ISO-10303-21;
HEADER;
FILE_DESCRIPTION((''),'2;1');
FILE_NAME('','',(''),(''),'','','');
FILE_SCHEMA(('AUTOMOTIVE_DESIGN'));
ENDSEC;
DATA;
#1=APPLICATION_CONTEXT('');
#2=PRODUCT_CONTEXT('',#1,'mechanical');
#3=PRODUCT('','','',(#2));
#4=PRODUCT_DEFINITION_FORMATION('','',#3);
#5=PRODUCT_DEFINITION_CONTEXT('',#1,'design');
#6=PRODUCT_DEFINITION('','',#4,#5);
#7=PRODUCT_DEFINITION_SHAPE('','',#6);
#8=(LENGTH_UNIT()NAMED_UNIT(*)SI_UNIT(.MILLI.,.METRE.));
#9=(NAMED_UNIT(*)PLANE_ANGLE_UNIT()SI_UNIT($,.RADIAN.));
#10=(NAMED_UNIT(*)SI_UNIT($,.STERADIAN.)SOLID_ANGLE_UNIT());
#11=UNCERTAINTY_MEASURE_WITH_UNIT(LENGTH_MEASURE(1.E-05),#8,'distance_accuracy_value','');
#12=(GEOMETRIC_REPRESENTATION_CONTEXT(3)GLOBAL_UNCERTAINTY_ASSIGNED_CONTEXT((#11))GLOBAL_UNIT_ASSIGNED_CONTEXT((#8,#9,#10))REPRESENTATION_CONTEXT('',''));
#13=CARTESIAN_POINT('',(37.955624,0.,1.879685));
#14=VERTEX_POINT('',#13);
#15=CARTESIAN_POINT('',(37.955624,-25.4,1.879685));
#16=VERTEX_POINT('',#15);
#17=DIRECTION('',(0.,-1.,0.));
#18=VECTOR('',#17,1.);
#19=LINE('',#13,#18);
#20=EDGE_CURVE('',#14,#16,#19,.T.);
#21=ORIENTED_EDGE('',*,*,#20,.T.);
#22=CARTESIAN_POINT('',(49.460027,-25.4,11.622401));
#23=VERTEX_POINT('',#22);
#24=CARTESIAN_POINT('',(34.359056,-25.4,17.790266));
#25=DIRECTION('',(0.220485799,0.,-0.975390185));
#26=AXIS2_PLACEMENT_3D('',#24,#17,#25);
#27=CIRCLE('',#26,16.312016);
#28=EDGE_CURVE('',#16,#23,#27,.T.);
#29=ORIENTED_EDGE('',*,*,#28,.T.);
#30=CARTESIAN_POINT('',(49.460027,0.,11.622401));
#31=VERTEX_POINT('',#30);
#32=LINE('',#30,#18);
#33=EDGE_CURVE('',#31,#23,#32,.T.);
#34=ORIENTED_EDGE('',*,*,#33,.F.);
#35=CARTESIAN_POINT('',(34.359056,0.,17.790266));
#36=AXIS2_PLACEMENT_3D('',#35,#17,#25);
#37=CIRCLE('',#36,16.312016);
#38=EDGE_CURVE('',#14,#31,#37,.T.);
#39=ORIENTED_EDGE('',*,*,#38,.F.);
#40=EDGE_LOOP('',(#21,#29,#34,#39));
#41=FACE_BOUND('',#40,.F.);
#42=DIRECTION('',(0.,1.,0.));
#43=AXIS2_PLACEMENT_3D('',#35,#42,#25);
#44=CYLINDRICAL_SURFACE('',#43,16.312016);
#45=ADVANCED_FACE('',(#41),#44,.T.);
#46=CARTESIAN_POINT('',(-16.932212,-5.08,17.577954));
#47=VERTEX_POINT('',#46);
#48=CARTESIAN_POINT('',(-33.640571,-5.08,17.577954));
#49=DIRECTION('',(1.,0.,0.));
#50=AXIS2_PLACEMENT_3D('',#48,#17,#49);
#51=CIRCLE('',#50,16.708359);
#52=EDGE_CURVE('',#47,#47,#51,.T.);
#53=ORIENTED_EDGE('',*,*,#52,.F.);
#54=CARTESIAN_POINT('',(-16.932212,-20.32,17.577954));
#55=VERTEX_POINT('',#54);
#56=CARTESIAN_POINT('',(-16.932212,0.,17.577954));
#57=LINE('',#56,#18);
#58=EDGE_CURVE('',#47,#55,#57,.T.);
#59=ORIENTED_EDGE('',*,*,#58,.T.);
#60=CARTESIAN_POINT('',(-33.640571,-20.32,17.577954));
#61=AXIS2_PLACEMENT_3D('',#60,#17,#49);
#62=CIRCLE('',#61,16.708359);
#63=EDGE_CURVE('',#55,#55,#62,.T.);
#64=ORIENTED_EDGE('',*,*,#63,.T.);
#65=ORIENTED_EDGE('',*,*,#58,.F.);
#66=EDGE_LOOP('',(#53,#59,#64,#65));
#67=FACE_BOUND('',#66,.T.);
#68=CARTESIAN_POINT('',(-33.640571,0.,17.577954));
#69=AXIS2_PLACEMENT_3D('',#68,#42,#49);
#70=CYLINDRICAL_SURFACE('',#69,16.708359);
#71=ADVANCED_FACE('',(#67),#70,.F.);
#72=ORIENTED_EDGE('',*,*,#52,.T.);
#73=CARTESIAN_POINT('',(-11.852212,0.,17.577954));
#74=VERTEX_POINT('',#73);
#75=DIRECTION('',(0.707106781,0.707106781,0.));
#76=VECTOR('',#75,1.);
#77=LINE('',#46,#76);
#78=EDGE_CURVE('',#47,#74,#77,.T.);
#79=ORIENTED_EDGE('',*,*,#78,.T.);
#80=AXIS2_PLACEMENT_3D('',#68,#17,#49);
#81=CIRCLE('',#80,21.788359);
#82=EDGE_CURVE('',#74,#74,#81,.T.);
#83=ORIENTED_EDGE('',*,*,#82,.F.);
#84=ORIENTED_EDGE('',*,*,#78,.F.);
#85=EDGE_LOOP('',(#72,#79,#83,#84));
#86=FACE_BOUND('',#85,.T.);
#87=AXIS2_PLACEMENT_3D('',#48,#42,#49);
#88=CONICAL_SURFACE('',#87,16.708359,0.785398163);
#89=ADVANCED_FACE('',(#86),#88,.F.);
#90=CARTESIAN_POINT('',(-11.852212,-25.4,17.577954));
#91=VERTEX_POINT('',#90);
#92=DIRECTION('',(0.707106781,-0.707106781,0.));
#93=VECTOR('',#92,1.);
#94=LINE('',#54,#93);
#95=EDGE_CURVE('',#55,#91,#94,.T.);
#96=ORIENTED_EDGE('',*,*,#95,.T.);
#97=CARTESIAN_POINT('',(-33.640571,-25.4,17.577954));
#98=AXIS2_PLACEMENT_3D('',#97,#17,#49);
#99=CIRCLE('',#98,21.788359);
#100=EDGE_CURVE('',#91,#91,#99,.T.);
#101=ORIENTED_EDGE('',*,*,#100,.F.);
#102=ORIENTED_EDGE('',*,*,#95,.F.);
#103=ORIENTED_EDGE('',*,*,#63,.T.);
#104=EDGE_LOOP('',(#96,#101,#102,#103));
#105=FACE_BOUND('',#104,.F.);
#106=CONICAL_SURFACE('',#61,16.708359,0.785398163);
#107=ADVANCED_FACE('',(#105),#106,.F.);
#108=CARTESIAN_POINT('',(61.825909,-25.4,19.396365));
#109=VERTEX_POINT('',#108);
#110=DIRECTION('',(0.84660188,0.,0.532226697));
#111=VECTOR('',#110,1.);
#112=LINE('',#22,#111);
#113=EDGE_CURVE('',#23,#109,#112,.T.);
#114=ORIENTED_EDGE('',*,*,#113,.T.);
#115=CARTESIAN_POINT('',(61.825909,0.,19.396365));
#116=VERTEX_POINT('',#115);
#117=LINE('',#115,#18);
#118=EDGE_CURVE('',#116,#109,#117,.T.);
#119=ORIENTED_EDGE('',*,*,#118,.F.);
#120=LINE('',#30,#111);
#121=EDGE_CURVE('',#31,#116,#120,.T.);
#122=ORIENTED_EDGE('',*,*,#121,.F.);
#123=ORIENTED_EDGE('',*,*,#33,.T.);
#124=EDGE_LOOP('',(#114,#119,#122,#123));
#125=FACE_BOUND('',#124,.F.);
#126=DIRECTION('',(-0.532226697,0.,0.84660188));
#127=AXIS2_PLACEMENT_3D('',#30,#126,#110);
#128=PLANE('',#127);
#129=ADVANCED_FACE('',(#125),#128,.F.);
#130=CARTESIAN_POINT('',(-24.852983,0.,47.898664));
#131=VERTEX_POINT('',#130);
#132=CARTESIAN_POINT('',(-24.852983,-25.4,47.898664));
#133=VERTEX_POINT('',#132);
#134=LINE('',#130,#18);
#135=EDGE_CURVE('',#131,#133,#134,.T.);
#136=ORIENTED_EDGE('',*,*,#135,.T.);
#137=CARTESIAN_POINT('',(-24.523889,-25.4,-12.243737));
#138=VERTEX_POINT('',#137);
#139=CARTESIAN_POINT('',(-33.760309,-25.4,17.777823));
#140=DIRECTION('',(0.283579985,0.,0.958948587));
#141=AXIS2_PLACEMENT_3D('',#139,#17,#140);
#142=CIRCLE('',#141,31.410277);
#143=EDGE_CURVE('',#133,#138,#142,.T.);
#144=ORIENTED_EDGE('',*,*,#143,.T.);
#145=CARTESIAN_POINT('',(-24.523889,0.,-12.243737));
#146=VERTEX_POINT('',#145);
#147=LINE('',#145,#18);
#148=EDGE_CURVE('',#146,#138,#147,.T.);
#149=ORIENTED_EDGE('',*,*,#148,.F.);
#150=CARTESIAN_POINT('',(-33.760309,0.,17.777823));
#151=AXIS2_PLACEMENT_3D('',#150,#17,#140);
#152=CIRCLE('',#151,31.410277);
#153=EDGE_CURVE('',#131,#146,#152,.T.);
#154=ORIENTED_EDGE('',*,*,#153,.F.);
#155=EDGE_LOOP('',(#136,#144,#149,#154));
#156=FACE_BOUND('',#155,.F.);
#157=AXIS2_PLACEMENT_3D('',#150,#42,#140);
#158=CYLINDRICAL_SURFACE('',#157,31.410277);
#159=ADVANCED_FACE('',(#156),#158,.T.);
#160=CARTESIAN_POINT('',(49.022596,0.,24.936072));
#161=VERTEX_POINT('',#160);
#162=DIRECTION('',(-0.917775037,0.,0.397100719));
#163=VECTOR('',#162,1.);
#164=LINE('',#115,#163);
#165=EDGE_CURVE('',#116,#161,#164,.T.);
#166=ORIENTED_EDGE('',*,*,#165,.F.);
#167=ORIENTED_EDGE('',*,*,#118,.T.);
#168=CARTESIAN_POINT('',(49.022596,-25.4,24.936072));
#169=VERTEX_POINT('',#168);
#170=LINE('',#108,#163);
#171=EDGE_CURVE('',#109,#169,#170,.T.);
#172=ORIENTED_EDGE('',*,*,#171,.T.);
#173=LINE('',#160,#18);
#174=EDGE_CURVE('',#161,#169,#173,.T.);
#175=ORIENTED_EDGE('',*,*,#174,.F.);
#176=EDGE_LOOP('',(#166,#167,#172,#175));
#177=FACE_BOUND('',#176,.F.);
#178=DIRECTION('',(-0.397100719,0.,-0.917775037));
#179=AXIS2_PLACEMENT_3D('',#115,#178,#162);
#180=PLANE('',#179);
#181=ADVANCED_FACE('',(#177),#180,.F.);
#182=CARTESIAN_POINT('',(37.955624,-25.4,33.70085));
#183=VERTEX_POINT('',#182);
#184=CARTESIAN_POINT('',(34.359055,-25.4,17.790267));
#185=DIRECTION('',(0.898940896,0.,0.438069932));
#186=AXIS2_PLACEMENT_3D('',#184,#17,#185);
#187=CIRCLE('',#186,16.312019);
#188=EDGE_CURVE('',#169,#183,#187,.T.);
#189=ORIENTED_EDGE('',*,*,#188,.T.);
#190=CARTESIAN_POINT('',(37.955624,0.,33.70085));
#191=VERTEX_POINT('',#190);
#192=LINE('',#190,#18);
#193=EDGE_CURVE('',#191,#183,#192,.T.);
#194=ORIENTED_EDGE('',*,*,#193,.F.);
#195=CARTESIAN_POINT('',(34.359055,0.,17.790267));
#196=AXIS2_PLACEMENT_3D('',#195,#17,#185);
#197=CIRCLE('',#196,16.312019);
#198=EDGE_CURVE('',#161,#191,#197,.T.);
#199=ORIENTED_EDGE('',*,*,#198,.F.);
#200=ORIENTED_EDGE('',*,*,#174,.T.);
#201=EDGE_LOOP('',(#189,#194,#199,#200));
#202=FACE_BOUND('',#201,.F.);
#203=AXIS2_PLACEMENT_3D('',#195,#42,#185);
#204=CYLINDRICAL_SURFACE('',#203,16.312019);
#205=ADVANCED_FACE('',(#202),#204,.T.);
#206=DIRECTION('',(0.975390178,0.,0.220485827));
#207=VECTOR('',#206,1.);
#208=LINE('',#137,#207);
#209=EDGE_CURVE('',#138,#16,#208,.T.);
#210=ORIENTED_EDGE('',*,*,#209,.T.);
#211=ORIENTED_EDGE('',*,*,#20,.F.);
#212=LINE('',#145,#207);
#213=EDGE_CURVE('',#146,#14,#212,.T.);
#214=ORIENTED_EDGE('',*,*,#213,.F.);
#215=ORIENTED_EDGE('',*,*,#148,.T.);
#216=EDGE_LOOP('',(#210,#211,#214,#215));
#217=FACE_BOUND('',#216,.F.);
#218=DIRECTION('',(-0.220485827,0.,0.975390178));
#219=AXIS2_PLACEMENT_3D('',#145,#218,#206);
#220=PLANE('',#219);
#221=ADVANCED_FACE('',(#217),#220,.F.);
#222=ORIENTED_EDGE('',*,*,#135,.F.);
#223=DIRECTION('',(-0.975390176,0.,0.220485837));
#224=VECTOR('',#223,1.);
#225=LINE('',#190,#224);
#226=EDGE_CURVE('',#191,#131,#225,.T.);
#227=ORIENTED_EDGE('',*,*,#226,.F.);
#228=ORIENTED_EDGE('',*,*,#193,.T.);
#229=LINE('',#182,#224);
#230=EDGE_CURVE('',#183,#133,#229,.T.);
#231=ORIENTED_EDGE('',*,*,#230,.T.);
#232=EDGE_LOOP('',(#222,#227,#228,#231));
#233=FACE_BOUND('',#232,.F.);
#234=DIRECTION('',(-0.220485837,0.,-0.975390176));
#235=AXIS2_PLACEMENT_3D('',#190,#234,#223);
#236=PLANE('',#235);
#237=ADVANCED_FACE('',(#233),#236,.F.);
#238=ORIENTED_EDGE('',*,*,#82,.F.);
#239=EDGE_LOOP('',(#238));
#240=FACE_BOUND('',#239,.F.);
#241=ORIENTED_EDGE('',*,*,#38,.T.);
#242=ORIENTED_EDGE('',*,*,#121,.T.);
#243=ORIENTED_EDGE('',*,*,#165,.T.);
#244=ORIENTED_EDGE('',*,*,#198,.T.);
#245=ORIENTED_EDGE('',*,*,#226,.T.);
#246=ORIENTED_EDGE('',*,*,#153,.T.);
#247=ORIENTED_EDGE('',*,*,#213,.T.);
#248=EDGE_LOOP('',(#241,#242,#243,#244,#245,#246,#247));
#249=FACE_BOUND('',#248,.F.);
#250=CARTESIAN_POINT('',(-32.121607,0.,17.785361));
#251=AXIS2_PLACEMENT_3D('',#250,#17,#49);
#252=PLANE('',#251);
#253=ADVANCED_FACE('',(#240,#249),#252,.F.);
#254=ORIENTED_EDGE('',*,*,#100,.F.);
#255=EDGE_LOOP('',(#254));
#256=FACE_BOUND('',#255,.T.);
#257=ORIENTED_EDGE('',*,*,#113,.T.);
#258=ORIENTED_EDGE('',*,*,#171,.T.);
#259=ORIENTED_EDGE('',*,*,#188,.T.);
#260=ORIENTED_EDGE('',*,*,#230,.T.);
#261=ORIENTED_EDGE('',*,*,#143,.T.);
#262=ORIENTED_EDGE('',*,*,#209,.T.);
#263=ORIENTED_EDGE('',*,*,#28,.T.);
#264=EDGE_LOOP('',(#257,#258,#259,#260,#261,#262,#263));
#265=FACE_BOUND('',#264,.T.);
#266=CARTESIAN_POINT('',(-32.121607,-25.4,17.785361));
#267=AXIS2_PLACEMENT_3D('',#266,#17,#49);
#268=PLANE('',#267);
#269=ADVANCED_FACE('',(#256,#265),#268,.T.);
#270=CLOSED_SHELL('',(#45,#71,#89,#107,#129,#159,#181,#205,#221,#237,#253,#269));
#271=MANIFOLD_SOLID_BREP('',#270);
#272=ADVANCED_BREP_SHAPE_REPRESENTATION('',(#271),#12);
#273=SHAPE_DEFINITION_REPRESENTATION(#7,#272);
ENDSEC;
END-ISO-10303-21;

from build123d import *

# Parameters (mm, degrees)
F0_R     = 16.708359
F1_DEPTH = 25.4
F2_SIZE  = 5.08
F3_SIZE  = 5.08


with BuildPart() as f1:
    # F0 (on Front) → F1 (new body)
    with BuildSketch(Plane.XZ):
        with BuildLine():
            ThreePointArc((-24.523889, -12.243737), (-8.494482, -0.883461), (-2.350032, 17.777823))
            ThreePointArc((-2.350032, 17.777823), (-8.596971, 36.577077), (-24.852983, 47.898664))
            ThreePointArc((-24.852983, 47.898664), (-65.170116, 17.605951), (-24.523889, -12.243737))
        make_face()
        with Locations((-33.640571, 17.577954)):
            Circle(F0_R, mode=Mode.SUBTRACT)
        with BuildLine():
            ThreePointArc((-24.852983, 47.898664), (-8.596971, 36.577077), (-2.350032, 17.777823))
            ThreePointArc((-2.350032, 17.777823), (-8.494482, -0.883461), (-24.523889, -12.243737))
            Line((-24.523889, -12.243737), (37.955624, 1.879685))
            ThreePointArc((37.955624, 1.879685), (18.047037, 17.790268), (37.955624, 33.70085))
            Line((37.955624, 33.70085), (-24.852983, 47.898664))
        make_face()
        with BuildLine():
            ThreePointArc((49.022596, 24.936072), (44.486406, 30.577711), (37.955624, 33.70085))
            ThreePointArc((37.955624, 33.70085), (18.047037, 17.790268), (37.955624, 1.879685))
            ThreePointArc((37.955624, 1.879685), (44.90086, 5.342284), (49.460027, 11.622401))
            ThreePointArc((49.460027, 11.622401), (50.365449, 14.64745), (50.671074, 17.790268))
            ThreePointArc((50.671074, 17.790268), (50.253612, 21.45701), (49.022596, 24.936072))
        make_face()
        with BuildLine():
            Line((61.825909, 19.396365), (49.022596, 24.936072))
            ThreePointArc((49.022596, 24.936072), (50.253612, 21.45701), (50.671074, 17.790268))
            ThreePointArc((50.671074, 17.790268), (50.365449, 14.64745), (49.460027, 11.622401))
            Line((49.460027, 11.622401), (61.825909, 19.396365))
        make_face()
    extrude(amount=F1_DEPTH)

    # F2
    f2_edges = [f1.edges().sort_by_distance(p)[0] for p in [
        (-50.34893, -25.4, 17.577954),
    ]]
    chamfer(f2_edges, length=F2_SIZE)

    # F3
    f3_edges = [f1.edges().sort_by_distance(p)[0] for p in [
        (-50.34893, 0, 17.577954),
    ]]
    chamfer(f3_edges, length=F3_SIZE)


solid = f1.part
